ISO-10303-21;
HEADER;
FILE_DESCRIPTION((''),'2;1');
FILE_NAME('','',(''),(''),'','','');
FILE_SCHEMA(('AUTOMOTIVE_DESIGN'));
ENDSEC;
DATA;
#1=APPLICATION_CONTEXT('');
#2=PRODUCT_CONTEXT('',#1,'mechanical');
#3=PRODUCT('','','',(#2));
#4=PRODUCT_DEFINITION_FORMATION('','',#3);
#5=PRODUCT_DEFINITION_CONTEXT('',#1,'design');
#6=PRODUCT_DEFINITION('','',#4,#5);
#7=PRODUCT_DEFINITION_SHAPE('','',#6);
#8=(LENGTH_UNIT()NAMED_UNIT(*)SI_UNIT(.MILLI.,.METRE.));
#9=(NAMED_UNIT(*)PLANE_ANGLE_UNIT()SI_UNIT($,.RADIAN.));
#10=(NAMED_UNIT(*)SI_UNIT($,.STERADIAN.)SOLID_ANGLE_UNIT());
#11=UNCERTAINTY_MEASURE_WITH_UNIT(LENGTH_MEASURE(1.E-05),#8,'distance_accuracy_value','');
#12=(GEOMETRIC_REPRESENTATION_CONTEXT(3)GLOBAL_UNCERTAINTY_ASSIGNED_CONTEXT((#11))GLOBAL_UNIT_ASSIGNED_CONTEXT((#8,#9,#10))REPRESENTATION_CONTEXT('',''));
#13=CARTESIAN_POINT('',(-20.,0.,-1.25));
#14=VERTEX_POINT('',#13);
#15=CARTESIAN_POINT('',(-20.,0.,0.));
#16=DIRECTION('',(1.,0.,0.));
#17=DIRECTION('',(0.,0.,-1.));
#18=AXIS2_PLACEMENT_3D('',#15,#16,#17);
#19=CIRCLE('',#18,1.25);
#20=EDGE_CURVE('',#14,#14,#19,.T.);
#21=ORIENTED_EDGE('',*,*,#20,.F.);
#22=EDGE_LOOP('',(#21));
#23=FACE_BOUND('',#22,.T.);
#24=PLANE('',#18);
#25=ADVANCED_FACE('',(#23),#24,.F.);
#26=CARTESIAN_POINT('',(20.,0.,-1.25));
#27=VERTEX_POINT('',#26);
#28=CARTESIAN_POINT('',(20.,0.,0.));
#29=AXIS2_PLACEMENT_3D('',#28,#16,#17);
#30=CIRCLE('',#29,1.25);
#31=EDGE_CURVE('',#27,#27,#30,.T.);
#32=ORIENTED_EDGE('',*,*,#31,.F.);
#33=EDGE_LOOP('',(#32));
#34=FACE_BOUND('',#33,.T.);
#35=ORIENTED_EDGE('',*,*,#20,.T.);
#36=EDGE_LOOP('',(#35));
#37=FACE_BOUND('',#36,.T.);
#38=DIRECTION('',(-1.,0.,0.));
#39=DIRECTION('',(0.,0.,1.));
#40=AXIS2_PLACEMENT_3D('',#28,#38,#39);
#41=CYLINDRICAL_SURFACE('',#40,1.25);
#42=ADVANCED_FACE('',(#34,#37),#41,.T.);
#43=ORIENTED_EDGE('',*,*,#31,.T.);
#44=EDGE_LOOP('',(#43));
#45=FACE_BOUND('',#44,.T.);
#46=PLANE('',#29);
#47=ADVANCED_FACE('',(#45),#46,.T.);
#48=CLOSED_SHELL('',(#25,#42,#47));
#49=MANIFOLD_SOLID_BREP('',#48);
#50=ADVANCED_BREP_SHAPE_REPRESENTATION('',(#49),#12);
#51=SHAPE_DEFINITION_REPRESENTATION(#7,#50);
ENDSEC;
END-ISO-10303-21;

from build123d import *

# Parameters (mm, degrees)
BASES_R    = 1.25
BASE_DEPTH = 20


with BuildPart() as part:
    # BaseS → Base (new, symmetric)
    with BuildSketch(Plane(origin=(0, 0, 0), x_dir=(0, 0, -1), z_dir=(1, 0, 0))):
        Circle(BASES_R)
    extrude(amount=BASE_DEPTH, both=True)


solid = part.part
